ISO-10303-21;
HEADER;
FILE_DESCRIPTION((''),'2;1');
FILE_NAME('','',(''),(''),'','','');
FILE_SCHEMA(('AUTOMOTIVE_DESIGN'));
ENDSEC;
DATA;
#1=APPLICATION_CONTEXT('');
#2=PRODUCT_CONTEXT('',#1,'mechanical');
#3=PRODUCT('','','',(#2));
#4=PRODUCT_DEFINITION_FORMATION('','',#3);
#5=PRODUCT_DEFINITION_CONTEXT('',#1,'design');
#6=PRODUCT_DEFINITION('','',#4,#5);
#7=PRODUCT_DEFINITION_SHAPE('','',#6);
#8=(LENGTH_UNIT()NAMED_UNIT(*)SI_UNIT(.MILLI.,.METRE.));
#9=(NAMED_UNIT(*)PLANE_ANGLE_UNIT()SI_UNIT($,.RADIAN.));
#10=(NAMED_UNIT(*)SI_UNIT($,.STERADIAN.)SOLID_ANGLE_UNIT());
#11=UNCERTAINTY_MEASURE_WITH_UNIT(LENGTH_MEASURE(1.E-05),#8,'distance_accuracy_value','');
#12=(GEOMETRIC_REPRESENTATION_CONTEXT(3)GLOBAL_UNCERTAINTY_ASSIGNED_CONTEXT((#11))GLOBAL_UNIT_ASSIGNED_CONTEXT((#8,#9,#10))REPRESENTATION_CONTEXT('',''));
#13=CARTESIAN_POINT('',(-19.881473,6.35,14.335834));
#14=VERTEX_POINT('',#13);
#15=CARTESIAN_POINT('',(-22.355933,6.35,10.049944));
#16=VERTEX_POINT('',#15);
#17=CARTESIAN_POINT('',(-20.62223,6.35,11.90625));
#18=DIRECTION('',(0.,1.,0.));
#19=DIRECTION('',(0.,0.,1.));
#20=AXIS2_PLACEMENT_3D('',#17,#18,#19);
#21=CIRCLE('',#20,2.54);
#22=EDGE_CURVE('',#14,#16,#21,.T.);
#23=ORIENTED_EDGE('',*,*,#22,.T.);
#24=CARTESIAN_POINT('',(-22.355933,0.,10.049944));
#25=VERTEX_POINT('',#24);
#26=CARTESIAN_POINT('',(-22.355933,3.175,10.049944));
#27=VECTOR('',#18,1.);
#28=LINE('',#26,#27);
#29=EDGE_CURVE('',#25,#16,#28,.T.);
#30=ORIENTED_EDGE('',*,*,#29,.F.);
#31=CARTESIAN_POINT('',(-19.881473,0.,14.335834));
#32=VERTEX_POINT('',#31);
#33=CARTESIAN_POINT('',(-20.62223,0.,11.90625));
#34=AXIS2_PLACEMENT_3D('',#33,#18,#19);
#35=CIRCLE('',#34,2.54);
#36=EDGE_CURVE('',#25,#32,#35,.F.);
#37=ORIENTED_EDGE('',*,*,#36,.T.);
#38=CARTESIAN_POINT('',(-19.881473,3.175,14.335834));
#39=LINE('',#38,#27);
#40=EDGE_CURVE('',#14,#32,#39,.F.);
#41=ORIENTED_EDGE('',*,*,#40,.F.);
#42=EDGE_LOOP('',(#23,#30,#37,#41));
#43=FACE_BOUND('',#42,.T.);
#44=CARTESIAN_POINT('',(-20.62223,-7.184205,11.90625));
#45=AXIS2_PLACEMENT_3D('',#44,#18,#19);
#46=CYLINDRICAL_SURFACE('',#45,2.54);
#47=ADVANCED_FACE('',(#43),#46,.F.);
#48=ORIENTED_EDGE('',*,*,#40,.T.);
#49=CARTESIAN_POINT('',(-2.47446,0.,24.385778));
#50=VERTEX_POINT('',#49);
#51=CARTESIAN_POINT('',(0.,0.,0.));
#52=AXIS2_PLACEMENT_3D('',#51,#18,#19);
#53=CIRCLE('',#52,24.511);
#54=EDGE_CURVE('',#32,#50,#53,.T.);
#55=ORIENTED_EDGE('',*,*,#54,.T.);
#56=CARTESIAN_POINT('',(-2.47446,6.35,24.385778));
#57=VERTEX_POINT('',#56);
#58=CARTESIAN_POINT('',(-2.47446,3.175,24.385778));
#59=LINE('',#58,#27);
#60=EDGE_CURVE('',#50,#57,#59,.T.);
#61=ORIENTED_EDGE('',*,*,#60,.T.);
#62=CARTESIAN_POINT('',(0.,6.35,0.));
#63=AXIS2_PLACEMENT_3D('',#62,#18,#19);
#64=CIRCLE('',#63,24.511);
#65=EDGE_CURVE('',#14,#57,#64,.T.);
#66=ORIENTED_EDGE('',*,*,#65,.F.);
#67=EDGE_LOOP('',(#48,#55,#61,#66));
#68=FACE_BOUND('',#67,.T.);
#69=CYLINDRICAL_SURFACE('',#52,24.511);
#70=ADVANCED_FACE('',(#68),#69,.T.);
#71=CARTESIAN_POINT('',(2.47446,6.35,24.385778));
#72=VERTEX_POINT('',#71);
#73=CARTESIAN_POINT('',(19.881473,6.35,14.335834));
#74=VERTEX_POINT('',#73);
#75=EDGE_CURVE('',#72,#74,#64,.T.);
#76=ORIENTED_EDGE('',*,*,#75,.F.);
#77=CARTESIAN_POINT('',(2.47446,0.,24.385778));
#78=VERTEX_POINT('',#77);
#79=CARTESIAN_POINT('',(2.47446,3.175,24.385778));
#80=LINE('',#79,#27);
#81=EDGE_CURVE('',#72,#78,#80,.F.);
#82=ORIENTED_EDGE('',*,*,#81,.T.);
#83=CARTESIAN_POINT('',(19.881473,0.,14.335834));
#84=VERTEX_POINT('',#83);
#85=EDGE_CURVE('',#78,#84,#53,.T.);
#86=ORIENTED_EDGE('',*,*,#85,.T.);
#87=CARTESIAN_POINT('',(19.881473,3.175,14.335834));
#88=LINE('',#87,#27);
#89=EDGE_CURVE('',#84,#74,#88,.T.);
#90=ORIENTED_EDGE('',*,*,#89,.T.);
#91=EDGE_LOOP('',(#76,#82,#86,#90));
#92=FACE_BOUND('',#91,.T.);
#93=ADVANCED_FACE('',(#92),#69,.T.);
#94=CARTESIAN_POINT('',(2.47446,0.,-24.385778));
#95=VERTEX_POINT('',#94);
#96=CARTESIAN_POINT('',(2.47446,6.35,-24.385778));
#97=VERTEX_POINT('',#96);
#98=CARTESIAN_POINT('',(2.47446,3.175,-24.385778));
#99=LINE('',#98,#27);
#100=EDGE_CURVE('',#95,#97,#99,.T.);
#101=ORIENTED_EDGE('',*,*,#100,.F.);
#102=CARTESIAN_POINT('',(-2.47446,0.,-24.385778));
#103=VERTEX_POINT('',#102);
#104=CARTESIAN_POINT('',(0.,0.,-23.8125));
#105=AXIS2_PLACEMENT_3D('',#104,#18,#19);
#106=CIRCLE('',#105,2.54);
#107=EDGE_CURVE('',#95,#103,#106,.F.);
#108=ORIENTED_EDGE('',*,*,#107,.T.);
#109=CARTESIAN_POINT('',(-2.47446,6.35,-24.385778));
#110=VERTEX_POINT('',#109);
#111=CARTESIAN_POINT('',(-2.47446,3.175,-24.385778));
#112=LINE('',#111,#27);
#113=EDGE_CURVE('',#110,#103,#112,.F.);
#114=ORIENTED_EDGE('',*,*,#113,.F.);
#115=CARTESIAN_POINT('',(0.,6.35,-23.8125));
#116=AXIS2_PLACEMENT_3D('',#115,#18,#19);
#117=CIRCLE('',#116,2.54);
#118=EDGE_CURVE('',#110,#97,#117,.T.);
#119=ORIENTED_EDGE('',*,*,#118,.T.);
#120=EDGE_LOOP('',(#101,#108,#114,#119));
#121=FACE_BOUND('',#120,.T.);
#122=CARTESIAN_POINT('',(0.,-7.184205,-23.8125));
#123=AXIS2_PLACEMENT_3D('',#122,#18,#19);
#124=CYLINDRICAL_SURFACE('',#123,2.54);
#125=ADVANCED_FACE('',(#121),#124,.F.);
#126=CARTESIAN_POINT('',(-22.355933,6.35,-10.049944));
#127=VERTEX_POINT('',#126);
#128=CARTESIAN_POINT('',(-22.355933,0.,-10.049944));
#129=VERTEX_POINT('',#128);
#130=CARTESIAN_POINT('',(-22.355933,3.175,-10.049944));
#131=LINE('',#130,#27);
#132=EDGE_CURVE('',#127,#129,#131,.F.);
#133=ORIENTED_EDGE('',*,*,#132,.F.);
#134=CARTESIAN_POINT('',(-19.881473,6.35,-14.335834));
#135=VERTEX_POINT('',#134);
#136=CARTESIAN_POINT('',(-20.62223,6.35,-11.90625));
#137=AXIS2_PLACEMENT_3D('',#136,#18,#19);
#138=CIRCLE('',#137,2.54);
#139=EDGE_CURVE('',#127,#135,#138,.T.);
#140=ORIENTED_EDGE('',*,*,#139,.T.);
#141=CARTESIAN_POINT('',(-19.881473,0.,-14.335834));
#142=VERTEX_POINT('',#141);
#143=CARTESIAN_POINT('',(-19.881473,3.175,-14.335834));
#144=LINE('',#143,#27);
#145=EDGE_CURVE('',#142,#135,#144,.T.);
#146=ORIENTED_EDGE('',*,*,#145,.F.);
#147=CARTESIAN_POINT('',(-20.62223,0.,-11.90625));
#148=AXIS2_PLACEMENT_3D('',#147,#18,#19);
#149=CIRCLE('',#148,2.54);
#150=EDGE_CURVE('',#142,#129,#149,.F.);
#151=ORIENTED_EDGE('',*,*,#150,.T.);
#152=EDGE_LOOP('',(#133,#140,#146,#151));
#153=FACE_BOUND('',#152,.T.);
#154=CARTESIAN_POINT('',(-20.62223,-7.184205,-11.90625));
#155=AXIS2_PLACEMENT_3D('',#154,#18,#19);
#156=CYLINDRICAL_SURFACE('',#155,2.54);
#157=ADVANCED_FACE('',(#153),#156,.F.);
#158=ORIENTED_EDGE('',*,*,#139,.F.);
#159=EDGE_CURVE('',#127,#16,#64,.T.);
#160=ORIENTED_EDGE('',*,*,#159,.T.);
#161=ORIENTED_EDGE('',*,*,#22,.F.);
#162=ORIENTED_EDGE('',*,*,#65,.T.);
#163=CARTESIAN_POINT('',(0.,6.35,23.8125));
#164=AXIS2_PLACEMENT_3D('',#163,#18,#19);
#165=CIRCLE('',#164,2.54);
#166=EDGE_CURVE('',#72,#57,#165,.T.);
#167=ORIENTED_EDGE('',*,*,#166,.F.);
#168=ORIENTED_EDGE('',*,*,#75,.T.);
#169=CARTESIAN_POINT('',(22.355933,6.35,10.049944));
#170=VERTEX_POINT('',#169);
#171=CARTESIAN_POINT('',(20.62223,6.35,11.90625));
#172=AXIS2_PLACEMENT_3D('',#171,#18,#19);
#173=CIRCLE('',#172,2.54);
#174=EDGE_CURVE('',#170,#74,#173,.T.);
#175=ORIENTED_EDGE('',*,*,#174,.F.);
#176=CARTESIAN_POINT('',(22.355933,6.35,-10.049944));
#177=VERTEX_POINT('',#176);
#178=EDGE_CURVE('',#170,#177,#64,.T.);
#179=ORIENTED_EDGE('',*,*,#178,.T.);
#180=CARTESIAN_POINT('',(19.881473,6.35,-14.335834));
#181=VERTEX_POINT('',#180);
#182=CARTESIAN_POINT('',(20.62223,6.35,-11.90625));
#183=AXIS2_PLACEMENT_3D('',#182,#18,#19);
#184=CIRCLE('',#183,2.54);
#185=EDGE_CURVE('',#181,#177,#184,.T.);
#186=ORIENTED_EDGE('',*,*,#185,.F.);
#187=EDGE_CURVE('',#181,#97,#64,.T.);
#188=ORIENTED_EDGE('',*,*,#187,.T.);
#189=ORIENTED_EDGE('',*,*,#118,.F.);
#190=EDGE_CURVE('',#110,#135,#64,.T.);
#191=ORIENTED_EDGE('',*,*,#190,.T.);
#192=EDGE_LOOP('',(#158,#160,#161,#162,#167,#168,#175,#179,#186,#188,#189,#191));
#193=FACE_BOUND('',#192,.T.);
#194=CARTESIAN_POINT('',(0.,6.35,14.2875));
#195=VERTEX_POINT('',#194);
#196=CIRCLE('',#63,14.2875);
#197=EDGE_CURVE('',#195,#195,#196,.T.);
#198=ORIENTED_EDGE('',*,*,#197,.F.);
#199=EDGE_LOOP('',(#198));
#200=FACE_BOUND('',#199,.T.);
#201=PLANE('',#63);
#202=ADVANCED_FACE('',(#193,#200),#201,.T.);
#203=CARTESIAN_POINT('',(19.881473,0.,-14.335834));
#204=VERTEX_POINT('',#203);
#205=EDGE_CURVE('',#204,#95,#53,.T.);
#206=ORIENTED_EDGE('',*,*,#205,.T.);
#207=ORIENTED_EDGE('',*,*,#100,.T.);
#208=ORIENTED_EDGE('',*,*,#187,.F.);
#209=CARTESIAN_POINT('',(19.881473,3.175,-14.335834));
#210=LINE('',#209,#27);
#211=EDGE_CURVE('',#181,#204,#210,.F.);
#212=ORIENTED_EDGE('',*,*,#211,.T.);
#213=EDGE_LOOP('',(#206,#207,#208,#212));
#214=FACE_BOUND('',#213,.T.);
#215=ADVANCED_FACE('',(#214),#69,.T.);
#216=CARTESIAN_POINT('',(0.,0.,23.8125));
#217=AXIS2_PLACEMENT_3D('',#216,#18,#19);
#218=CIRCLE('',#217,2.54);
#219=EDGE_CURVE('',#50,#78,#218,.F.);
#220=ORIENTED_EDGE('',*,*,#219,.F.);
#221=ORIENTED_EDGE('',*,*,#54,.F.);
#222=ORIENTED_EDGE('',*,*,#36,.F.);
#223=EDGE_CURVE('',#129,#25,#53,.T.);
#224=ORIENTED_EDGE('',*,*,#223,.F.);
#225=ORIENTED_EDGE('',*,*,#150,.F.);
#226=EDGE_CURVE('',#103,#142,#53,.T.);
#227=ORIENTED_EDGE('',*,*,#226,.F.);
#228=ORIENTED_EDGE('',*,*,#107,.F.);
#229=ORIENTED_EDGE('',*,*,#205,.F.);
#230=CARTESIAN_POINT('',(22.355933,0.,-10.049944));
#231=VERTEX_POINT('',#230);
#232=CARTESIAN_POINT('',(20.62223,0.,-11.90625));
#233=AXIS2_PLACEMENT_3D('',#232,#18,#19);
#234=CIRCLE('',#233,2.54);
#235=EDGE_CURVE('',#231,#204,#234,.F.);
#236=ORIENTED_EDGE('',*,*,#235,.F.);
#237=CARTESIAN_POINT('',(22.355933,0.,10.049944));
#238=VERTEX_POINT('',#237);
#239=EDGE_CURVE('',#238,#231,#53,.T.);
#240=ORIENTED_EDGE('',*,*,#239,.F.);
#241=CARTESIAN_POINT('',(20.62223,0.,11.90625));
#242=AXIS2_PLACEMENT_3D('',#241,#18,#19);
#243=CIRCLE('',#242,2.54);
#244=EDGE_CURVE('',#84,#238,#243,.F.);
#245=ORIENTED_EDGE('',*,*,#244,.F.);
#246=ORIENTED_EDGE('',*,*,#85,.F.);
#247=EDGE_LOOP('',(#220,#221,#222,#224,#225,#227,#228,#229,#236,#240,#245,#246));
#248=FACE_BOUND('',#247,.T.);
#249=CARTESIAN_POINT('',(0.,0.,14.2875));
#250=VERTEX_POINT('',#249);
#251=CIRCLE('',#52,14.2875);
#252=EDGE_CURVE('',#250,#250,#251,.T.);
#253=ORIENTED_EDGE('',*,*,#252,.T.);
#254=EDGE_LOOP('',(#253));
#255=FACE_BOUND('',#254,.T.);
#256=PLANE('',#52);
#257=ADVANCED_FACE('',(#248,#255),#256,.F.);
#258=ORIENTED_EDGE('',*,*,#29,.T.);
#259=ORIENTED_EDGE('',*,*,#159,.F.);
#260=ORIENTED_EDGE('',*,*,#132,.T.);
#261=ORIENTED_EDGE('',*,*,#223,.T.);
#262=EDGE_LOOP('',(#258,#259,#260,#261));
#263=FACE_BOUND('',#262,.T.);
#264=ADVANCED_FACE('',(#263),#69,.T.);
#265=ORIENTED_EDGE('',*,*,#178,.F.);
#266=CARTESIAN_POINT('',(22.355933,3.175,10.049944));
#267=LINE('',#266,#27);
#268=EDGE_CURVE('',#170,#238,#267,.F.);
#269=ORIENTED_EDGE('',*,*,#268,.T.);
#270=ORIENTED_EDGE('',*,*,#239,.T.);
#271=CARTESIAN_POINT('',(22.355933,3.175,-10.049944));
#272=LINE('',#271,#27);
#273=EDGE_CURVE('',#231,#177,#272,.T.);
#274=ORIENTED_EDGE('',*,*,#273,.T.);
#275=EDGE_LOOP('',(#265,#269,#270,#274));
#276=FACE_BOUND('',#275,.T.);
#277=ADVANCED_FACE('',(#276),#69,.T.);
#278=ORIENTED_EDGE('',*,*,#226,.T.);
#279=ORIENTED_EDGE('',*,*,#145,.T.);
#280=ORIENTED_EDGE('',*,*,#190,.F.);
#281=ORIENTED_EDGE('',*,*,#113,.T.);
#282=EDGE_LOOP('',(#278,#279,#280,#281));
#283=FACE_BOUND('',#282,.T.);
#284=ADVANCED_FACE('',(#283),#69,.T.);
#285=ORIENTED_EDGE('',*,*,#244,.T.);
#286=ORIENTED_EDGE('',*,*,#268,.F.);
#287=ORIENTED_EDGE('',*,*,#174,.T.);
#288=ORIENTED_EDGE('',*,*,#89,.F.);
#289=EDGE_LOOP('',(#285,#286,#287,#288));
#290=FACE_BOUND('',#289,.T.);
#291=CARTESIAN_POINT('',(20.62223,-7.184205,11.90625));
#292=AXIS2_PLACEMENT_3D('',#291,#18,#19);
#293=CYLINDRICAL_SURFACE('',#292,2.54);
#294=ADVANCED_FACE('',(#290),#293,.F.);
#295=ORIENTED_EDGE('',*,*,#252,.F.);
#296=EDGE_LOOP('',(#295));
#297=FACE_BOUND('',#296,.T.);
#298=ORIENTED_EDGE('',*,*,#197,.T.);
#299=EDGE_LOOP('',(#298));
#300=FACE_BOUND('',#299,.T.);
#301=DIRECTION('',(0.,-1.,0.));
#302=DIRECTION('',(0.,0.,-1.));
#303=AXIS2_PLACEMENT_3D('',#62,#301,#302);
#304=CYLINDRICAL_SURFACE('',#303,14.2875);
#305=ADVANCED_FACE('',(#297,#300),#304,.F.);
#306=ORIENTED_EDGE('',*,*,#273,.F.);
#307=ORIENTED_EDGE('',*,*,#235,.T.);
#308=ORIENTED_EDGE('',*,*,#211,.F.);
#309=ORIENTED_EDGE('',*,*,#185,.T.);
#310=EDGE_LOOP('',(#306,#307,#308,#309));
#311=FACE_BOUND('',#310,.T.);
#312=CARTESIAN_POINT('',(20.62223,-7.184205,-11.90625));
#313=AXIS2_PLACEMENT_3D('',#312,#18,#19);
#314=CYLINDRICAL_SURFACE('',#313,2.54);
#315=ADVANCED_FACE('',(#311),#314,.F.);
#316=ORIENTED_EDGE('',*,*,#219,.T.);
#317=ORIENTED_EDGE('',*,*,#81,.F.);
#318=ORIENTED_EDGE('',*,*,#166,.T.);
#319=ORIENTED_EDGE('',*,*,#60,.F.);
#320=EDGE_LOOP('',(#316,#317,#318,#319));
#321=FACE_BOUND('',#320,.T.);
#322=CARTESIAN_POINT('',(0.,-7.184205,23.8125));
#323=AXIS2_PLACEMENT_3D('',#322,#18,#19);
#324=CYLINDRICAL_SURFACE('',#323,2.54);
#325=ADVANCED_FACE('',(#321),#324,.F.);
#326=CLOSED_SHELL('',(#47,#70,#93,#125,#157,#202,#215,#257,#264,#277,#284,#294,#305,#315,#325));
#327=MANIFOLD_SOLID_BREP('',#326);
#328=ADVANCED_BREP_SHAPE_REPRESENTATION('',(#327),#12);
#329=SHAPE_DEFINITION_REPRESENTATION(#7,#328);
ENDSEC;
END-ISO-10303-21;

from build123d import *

# Parameters (mm, degrees)
SKETCH1_R           = 30.861
SKETCH1_R_2         = 14.2875
BOSS_EXTRUDE1_DEPTH = 6.35
SKETCH2_R           = 2.54
CUT_EXTRUDE1_DEPTH  = 6.35
SKETCH3_R           = 30.861
SKETCH3_R_2         = 24.511
CUT_EXTRUDE2_DEPTH  = 45.103572894


with BuildPart() as part:
    # Sketch1 → Boss-Extrude1 (new body)
    with BuildSketch(Plane(origin=(0, 0, 0), x_dir=(1, 0, 0), z_dir=(0, 1, 0))):
        with Locations(Location((0, 0, 0), (0, 0, 270))):
            Circle(SKETCH1_R)
        with Locations(Location((0, 0, 0), (0, 0, 270))):
            Circle(SKETCH1_R_2, mode=Mode.SUBTRACT)
    extrude(amount=BOSS_EXTRUDE1_DEPTH)

    # Sketch2 → Cut-Extrude1 (cut)
    with BuildSketch(Plane(origin=(0, 6.35, 0), x_dir=(1, 0, 0), z_dir=(0, 1, 0))):
        with Locations(Location((0, 23.8125, 0), (0, 0, 270))):
            Circle(SKETCH2_R)
        with Locations(Location((0, -23.8125, 0), (0, 0, 270))):
            Circle(SKETCH2_R)
        with Locations(Location((20.622229928, 11.90625, 0), (0, 0, 270))):
            Circle(SKETCH2_R)
        with Locations(Location((20.622229928, -11.90625, 0), (0, 0, 270))):
            Circle(SKETCH2_R)
        with Locations(Location((-20.622229928, 11.90625, 0), (0, 0, 270))):
            Circle(SKETCH2_R)
        with Locations(Location((-20.622229928, -11.90625, 0), (0, 0, 270))):
            Circle(SKETCH2_R)
    extrude(amount=-CUT_EXTRUDE1_DEPTH, mode=Mode.SUBTRACT)

    # Sketch3 → Cut-Extrude2 (cut, through all)
    with BuildSketch(Plane(origin=(0, 6.35, 0), x_dir=(1, 0, 0), z_dir=(0, 1, 0))):
        Circle(SKETCH3_R)
        Circle(SKETCH3_R_2, mode=Mode.SUBTRACT)
    extrude(amount=-CUT_EXTRUDE2_DEPTH, mode=Mode.SUBTRACT)


solid = part.part
